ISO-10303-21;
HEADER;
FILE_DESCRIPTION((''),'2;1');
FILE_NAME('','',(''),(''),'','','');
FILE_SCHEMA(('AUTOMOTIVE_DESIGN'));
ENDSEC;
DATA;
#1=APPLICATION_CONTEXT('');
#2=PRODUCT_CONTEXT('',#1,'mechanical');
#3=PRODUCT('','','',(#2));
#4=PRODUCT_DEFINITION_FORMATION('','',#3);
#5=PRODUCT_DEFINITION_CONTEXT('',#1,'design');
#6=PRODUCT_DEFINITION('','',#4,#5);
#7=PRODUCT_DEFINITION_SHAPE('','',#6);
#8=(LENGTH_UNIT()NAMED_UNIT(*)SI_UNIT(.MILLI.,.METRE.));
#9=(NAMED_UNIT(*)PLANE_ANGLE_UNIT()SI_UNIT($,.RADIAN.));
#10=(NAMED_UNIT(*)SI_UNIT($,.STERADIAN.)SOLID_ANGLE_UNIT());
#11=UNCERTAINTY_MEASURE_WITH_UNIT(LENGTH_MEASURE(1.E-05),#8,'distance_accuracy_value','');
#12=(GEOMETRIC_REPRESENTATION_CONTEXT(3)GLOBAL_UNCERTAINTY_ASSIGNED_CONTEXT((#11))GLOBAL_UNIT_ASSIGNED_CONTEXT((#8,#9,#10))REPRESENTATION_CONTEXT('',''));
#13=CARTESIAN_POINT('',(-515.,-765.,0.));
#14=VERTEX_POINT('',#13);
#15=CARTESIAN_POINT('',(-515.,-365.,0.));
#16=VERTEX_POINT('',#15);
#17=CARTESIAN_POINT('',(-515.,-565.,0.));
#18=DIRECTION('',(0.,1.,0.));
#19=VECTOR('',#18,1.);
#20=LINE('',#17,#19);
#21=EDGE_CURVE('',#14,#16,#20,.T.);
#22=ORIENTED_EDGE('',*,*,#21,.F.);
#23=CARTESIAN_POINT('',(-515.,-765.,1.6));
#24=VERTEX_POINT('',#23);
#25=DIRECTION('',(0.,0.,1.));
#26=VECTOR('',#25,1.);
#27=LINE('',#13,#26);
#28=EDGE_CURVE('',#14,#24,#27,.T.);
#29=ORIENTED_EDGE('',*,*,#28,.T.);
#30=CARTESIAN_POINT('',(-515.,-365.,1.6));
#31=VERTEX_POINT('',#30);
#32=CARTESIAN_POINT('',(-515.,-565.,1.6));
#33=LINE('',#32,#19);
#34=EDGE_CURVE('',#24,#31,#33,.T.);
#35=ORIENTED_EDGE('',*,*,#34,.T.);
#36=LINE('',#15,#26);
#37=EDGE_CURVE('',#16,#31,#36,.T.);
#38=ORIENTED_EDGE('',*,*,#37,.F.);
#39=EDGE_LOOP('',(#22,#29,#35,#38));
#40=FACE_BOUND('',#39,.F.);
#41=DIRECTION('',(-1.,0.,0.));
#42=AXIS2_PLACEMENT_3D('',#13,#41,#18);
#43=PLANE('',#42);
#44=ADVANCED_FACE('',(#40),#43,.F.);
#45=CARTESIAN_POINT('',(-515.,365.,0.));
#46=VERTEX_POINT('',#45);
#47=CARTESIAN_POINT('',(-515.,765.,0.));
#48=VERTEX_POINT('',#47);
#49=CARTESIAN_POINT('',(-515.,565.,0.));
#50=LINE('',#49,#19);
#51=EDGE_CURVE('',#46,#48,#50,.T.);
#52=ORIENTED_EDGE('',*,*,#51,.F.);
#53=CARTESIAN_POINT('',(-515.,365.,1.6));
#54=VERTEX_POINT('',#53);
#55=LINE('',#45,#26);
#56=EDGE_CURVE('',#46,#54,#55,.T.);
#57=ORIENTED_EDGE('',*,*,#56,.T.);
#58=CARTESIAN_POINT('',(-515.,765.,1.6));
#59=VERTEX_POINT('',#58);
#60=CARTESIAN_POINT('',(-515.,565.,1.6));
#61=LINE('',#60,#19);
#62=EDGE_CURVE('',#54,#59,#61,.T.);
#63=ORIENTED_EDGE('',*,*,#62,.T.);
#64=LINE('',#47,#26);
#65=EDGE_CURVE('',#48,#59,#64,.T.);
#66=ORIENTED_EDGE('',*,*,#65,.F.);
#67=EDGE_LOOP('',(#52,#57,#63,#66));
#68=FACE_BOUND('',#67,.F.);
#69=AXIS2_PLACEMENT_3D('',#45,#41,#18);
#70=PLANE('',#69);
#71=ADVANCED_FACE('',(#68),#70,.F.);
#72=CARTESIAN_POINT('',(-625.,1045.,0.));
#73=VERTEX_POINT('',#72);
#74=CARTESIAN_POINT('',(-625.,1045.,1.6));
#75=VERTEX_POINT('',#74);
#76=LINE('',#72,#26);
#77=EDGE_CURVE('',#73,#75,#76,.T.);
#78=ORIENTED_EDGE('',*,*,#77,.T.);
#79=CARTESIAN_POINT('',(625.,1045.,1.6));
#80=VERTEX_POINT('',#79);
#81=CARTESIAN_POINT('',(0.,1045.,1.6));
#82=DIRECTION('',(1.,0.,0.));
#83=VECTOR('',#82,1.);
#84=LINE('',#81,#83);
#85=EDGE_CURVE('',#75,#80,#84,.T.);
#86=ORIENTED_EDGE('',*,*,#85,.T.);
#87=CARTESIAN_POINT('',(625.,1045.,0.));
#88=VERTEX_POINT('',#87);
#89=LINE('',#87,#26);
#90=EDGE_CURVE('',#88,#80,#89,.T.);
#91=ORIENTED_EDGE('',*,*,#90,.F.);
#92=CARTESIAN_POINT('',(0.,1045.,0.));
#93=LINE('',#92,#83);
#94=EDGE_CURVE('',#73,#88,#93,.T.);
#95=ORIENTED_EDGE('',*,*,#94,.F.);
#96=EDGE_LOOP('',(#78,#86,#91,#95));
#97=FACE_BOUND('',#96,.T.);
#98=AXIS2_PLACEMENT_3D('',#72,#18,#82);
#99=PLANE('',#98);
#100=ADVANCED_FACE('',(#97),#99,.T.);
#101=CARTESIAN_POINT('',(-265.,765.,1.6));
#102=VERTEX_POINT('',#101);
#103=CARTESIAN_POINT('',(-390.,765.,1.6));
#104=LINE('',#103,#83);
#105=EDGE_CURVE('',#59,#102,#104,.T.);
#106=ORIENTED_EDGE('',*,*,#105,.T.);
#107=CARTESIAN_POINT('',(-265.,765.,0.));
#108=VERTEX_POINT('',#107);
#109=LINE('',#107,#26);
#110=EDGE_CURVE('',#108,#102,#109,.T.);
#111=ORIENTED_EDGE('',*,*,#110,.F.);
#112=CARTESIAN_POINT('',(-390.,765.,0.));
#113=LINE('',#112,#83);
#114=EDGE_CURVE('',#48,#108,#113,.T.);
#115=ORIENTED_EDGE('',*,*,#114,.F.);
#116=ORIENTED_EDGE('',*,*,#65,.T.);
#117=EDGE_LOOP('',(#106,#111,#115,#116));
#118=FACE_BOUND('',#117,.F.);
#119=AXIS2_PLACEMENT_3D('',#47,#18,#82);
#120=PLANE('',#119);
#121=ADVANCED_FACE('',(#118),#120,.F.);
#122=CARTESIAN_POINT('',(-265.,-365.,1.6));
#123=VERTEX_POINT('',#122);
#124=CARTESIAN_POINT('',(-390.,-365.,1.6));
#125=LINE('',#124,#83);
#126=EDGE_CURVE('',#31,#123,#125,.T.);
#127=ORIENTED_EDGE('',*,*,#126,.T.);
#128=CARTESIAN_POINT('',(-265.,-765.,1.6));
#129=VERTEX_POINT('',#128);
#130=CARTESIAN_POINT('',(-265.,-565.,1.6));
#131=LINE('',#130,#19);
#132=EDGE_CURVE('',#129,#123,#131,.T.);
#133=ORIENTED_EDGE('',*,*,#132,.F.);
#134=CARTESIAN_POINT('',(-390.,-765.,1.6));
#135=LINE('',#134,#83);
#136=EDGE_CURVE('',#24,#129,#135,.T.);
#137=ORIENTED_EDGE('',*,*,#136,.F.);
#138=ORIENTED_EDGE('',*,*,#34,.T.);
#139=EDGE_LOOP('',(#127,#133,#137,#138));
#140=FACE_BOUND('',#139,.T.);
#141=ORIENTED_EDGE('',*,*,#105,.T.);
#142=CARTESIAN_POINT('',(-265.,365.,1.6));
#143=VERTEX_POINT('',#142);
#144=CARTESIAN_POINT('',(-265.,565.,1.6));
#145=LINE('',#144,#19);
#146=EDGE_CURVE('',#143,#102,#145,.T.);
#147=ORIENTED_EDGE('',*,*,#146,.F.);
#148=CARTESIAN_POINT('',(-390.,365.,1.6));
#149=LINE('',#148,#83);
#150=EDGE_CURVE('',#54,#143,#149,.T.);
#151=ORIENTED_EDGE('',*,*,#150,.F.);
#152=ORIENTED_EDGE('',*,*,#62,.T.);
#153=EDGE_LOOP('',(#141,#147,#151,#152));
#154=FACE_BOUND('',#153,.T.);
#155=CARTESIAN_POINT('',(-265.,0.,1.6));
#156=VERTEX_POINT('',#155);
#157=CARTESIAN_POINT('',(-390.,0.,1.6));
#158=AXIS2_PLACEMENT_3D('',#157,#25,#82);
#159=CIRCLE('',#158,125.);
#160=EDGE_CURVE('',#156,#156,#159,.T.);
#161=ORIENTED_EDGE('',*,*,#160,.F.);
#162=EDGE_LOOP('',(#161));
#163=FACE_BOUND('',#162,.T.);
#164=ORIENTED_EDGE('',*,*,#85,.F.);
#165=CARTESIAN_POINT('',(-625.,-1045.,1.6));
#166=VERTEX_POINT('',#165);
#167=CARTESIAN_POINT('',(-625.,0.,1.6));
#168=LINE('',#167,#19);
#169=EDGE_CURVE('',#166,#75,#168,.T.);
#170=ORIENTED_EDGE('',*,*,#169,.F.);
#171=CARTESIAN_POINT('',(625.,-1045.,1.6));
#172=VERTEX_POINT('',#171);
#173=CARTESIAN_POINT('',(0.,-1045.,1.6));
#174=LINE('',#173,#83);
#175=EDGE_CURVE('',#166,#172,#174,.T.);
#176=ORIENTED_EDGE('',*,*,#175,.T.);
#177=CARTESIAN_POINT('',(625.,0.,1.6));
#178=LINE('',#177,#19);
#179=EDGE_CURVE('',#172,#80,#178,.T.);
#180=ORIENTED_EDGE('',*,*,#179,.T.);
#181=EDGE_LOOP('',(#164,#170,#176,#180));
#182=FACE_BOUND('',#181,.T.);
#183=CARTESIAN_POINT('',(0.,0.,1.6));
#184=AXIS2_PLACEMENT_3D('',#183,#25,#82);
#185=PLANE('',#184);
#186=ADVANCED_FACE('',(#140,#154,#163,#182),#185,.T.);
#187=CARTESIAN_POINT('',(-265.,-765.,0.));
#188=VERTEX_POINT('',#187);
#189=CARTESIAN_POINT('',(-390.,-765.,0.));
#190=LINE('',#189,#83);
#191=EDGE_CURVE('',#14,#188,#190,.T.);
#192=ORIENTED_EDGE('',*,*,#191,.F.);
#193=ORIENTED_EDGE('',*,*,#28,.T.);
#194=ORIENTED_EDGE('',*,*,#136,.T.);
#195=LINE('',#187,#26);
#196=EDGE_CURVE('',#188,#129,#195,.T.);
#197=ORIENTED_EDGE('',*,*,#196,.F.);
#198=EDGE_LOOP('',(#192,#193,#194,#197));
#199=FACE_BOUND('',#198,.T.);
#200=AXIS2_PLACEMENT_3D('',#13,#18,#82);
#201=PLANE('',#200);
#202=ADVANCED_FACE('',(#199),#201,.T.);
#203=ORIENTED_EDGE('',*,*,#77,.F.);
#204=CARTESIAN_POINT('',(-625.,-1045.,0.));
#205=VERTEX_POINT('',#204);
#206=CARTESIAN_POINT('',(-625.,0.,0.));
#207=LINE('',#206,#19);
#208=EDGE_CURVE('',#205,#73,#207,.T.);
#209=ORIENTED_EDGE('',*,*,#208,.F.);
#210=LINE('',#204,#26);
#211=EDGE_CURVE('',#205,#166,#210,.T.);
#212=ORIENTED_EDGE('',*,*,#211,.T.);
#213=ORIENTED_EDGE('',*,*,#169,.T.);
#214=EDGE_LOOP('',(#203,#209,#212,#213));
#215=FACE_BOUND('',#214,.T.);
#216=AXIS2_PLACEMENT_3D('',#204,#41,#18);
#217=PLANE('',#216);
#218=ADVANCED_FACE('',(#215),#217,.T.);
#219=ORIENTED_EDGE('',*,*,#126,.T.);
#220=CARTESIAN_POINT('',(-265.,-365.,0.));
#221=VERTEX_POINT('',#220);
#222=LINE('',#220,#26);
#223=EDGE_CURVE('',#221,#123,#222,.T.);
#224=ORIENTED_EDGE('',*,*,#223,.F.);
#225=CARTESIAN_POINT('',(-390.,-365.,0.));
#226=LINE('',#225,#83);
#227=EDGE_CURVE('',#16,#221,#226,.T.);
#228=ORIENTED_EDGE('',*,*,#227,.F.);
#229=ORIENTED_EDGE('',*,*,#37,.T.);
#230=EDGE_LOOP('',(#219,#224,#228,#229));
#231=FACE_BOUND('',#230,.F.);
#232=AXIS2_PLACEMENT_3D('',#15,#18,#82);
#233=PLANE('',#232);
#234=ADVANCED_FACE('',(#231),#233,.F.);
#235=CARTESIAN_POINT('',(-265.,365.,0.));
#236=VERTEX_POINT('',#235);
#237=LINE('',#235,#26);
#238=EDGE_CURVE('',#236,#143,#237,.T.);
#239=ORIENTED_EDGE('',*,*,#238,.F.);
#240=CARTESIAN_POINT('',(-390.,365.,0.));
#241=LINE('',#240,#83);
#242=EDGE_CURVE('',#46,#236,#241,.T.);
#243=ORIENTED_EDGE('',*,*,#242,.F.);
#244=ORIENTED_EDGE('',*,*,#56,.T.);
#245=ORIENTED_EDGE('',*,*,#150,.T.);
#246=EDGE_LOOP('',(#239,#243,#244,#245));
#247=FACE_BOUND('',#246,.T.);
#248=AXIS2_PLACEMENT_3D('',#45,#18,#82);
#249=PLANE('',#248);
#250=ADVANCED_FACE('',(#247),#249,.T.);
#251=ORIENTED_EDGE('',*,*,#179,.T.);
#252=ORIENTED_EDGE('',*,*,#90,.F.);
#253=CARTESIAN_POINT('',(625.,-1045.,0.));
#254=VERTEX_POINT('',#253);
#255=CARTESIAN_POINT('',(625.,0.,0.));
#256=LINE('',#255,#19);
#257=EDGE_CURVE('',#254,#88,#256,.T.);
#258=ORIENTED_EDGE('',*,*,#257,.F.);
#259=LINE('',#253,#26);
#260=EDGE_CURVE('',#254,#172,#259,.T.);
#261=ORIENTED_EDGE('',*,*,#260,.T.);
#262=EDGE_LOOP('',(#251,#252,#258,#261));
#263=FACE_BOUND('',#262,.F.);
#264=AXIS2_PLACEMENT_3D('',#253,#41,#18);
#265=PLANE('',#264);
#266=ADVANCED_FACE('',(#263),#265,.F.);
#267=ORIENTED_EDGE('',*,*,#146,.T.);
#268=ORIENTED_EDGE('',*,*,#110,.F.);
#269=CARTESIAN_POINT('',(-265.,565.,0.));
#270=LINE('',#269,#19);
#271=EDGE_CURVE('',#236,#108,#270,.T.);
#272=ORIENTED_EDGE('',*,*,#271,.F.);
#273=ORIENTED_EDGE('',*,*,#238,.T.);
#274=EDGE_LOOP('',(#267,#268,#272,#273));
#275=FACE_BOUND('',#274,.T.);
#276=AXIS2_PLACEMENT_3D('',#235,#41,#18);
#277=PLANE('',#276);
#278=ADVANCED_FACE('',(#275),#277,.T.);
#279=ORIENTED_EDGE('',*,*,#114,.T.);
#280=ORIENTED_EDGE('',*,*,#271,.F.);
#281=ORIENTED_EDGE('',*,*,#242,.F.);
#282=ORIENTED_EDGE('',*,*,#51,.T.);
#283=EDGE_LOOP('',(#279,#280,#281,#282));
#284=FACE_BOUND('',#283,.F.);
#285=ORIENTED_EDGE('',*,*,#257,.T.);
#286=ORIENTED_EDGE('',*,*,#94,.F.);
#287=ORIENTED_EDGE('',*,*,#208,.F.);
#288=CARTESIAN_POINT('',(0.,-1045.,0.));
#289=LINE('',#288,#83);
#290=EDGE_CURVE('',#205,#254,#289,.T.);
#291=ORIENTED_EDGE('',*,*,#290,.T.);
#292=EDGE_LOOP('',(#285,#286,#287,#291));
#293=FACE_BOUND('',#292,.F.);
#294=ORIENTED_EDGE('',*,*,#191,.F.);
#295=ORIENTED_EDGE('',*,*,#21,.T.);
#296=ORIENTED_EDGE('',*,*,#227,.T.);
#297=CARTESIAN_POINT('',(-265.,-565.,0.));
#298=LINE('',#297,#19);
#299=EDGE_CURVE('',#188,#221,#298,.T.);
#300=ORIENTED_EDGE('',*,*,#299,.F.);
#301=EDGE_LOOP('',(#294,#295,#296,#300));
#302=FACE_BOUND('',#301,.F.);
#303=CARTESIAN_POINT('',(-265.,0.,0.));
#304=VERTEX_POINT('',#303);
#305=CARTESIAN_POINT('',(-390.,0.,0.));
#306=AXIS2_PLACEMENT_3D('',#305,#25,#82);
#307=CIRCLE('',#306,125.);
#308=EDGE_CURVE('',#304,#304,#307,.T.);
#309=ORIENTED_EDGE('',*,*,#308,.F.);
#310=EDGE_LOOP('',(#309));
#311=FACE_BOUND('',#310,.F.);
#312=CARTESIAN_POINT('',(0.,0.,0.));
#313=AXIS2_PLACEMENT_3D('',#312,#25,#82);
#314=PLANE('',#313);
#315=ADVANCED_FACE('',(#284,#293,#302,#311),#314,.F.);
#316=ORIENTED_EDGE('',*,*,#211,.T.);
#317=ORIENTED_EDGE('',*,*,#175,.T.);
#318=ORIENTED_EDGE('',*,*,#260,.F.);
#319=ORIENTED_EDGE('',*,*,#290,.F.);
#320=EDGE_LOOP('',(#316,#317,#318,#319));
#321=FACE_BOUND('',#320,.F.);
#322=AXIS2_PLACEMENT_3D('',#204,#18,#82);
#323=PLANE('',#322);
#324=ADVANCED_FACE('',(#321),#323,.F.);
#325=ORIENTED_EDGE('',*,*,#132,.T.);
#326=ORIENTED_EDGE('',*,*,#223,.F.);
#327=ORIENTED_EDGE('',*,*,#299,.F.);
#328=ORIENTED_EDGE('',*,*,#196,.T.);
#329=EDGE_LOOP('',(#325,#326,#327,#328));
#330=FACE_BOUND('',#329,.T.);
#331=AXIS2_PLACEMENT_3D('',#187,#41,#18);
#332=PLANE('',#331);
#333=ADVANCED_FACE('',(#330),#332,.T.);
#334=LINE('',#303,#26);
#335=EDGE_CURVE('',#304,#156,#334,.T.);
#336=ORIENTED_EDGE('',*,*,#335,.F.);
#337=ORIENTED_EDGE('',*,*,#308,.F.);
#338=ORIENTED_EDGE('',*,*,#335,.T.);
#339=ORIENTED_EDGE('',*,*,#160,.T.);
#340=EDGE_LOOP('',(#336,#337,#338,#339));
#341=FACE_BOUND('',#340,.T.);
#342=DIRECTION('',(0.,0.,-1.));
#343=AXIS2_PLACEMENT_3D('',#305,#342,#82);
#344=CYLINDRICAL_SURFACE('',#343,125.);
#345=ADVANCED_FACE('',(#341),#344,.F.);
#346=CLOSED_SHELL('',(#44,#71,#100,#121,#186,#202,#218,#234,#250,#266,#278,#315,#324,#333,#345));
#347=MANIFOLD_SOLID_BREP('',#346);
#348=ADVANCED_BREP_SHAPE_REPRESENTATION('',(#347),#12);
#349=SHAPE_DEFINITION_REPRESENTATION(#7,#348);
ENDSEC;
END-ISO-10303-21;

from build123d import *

# Parameters (mm, degrees)
F0_W     = 1250
F0_H     = 2090
F0_W_2   = 250
F0_H_2   = 400
F0_R     = 125
F1_DEPTH = 1.6


with BuildPart() as f1:
    # F0 (on Top) → F1 (new body)
    with BuildSketch(Plane.XY):
        Rectangle(F0_W, F0_H)
        with Locations((-390, -565)):
            Rectangle(F0_W_2, F0_H_2, mode=Mode.SUBTRACT)
        with Locations((-390, 0)):
            Circle(F0_R, mode=Mode.SUBTRACT)
        with Locations((-390, 565)):
            Rectangle(F0_W_2, F0_H_2, mode=Mode.SUBTRACT)
    extrude(amount=F1_DEPTH)


solid = f1.part
